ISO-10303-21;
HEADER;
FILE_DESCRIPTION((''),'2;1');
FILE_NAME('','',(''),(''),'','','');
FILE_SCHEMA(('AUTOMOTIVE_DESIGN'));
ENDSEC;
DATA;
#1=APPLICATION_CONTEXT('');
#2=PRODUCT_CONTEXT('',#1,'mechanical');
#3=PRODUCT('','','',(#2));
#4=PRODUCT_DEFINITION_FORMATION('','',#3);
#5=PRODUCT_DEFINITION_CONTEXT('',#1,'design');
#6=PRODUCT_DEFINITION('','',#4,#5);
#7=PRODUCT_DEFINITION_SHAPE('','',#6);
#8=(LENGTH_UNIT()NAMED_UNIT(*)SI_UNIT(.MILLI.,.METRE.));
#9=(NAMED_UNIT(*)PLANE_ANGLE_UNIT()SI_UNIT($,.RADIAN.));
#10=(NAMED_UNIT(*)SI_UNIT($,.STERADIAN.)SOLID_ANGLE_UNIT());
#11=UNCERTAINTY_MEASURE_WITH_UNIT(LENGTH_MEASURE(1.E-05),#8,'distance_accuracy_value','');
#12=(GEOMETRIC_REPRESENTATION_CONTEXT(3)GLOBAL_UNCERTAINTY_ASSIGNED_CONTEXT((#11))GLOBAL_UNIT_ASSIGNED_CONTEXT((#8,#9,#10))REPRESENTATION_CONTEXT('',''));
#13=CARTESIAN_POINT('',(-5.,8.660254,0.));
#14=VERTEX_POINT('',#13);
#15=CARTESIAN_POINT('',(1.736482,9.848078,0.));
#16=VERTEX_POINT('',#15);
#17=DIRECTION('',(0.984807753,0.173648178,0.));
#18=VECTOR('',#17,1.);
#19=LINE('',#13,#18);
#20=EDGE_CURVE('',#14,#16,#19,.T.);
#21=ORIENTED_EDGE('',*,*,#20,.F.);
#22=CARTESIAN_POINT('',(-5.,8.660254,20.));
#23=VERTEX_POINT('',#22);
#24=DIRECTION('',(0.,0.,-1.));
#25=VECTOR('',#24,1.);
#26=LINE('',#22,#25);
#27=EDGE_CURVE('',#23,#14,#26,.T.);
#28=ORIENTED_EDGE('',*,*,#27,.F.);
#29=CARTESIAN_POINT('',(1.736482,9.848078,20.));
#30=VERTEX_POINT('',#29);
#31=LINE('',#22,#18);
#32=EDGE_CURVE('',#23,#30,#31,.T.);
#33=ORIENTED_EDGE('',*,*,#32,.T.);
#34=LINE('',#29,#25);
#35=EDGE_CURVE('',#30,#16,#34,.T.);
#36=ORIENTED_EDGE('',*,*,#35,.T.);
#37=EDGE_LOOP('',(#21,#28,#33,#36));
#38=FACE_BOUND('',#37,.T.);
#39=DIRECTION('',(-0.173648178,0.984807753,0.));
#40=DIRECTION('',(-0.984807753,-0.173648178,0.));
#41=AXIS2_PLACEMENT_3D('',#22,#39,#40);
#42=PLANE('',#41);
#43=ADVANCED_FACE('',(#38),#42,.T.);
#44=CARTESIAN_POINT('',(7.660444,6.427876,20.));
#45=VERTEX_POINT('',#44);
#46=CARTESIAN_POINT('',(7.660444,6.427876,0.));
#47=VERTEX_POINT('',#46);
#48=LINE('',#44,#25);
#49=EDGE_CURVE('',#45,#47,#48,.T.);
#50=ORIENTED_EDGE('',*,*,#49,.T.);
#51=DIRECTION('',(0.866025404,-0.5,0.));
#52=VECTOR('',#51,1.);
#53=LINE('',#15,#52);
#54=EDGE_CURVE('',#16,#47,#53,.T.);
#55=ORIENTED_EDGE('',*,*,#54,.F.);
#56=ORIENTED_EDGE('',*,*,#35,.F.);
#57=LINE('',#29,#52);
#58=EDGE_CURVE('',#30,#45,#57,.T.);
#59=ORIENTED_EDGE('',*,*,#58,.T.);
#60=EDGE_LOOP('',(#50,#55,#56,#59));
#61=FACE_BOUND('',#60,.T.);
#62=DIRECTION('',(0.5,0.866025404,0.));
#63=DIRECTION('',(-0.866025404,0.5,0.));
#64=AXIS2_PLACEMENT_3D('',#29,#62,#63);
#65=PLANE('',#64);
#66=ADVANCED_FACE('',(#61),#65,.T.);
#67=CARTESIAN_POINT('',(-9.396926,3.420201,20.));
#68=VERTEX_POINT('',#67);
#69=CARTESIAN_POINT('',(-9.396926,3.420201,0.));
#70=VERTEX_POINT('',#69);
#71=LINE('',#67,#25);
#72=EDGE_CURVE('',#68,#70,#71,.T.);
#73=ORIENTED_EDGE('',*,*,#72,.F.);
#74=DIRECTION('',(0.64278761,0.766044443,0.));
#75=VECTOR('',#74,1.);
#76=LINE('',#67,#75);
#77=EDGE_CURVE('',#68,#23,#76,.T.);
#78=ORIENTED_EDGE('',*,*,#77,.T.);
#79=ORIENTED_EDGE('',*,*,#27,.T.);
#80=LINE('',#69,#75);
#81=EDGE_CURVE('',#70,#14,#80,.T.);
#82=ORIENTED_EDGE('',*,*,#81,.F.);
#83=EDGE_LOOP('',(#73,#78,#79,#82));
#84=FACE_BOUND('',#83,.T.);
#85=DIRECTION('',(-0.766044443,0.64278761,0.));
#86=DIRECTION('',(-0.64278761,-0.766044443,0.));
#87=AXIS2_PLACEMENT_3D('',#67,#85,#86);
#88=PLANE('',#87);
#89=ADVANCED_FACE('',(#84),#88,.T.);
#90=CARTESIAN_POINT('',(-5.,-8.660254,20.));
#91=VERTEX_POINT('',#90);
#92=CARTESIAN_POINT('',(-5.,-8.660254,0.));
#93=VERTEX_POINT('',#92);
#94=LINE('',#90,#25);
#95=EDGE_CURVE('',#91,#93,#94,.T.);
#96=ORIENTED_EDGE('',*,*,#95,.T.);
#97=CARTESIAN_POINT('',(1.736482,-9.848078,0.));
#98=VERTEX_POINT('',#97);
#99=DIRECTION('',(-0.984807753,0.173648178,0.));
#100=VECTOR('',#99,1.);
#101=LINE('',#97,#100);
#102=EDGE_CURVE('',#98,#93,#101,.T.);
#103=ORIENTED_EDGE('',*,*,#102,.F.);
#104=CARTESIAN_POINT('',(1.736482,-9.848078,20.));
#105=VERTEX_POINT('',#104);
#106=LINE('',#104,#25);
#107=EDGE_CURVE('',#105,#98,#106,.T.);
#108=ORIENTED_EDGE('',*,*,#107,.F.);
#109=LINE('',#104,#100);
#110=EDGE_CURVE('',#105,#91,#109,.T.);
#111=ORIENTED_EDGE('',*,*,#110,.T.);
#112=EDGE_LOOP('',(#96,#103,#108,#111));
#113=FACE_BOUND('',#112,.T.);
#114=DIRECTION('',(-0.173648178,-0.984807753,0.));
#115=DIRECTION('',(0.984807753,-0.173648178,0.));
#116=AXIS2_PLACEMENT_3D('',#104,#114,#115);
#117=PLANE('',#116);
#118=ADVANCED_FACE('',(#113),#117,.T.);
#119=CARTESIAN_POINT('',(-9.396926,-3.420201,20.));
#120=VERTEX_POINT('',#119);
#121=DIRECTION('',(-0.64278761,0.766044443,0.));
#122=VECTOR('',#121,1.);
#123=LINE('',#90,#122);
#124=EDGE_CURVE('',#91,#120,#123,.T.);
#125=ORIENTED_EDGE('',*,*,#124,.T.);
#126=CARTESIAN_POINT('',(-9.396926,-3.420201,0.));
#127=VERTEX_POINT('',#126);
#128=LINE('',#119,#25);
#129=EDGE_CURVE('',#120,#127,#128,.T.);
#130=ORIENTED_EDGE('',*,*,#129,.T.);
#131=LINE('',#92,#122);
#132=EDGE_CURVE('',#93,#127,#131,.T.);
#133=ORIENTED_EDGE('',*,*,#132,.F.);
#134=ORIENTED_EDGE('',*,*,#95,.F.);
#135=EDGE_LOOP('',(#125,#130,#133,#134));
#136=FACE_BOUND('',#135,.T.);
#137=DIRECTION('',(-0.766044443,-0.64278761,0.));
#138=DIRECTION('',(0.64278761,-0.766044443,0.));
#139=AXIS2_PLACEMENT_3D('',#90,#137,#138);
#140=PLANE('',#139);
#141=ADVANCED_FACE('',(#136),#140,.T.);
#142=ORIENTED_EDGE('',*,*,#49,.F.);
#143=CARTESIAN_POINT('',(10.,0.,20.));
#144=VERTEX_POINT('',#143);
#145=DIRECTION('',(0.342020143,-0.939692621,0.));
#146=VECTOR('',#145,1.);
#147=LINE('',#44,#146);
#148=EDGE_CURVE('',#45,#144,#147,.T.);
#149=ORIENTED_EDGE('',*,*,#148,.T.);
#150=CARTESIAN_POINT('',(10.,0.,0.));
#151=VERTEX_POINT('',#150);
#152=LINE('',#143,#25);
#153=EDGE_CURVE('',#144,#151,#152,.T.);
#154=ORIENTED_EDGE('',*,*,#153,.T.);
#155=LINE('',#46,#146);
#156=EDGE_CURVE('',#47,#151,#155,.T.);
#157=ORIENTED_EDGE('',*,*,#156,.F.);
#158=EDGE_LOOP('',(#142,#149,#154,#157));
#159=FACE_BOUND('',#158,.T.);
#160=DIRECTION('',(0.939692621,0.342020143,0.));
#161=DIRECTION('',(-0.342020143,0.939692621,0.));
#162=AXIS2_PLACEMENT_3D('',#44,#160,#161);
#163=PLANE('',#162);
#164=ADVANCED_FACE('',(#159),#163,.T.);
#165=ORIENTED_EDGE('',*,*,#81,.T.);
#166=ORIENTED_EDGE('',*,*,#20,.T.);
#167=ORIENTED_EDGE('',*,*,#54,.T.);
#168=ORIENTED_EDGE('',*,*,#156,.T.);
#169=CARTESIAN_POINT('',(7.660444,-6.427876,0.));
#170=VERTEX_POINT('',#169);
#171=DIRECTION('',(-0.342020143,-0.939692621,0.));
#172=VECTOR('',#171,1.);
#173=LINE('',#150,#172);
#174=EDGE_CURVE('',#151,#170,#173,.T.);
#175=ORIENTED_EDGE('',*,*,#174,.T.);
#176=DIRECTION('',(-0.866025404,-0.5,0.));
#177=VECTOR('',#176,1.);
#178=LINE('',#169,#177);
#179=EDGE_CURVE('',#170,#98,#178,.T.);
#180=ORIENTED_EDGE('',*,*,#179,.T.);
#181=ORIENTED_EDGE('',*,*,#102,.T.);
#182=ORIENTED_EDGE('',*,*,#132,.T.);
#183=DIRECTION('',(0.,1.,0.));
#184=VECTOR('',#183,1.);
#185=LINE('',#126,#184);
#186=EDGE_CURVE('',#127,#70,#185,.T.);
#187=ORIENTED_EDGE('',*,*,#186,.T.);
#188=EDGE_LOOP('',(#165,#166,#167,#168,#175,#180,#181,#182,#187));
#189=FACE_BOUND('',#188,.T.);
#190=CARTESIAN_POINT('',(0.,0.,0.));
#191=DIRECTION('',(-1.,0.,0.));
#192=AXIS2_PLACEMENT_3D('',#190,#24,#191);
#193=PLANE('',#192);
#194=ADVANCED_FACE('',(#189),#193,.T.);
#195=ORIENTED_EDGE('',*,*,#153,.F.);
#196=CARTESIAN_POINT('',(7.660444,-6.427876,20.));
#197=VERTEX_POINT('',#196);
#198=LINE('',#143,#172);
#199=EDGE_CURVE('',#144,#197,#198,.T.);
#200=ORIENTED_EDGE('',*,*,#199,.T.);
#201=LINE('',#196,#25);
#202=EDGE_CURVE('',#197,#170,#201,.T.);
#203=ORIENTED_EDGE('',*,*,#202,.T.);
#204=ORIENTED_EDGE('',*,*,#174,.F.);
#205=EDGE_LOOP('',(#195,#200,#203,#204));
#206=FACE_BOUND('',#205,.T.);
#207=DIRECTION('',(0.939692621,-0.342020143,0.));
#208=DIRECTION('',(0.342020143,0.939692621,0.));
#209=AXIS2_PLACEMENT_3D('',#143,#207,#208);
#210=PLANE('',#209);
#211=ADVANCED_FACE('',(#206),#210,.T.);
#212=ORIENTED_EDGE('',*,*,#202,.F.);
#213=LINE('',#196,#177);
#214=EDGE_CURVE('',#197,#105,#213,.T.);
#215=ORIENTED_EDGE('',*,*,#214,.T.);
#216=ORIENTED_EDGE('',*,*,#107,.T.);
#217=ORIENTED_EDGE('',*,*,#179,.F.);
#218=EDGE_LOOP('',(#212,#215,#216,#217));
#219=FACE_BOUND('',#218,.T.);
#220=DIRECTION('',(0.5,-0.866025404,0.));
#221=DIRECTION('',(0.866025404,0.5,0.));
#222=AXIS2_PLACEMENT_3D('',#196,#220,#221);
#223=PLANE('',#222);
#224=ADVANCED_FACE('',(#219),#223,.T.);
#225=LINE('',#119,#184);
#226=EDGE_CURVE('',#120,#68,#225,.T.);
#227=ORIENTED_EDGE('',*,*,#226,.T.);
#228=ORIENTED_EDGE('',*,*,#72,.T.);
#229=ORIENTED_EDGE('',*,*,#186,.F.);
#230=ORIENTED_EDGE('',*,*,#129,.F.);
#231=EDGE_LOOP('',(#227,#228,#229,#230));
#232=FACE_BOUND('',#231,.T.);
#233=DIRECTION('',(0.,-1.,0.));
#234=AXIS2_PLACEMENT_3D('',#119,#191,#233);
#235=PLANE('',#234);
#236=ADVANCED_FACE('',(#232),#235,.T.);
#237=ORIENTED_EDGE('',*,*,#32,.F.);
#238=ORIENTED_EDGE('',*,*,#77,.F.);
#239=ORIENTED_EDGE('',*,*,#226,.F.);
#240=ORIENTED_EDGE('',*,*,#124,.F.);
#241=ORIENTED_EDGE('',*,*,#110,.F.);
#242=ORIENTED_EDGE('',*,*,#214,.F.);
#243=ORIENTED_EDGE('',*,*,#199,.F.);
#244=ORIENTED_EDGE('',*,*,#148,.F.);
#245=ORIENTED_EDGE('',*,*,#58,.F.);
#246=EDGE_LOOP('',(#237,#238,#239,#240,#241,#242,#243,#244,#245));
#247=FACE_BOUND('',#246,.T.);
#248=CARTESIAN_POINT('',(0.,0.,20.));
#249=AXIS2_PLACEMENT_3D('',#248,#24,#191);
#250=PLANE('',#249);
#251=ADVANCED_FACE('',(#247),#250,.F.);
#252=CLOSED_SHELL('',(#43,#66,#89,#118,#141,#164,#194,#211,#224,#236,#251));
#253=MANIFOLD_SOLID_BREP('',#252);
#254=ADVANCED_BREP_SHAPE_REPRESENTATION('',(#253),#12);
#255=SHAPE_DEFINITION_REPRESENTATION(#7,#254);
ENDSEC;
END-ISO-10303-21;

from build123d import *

# Parameters (mm, degrees)
BOSS_EXTRUDE1_DEPTH = 20


with BuildPart() as part:
    # Sketch1 → Boss-Extrude1 (new body)
    with BuildSketch(Plane.XY):
        Polygon((7.660444431, 6.427876097), (10, 0), (7.660444431, -6.427876097), (1.736481777, -9.84807753), (-5, -8.660254038), (-9.396926208, -3.420201433), (-9.396926208, 3.420201433), (-5, 8.660254038), (1.736481777, 9.84807753), align=None)
    extrude(amount=BOSS_EXTRUDE1_DEPTH)


solid = part.part
